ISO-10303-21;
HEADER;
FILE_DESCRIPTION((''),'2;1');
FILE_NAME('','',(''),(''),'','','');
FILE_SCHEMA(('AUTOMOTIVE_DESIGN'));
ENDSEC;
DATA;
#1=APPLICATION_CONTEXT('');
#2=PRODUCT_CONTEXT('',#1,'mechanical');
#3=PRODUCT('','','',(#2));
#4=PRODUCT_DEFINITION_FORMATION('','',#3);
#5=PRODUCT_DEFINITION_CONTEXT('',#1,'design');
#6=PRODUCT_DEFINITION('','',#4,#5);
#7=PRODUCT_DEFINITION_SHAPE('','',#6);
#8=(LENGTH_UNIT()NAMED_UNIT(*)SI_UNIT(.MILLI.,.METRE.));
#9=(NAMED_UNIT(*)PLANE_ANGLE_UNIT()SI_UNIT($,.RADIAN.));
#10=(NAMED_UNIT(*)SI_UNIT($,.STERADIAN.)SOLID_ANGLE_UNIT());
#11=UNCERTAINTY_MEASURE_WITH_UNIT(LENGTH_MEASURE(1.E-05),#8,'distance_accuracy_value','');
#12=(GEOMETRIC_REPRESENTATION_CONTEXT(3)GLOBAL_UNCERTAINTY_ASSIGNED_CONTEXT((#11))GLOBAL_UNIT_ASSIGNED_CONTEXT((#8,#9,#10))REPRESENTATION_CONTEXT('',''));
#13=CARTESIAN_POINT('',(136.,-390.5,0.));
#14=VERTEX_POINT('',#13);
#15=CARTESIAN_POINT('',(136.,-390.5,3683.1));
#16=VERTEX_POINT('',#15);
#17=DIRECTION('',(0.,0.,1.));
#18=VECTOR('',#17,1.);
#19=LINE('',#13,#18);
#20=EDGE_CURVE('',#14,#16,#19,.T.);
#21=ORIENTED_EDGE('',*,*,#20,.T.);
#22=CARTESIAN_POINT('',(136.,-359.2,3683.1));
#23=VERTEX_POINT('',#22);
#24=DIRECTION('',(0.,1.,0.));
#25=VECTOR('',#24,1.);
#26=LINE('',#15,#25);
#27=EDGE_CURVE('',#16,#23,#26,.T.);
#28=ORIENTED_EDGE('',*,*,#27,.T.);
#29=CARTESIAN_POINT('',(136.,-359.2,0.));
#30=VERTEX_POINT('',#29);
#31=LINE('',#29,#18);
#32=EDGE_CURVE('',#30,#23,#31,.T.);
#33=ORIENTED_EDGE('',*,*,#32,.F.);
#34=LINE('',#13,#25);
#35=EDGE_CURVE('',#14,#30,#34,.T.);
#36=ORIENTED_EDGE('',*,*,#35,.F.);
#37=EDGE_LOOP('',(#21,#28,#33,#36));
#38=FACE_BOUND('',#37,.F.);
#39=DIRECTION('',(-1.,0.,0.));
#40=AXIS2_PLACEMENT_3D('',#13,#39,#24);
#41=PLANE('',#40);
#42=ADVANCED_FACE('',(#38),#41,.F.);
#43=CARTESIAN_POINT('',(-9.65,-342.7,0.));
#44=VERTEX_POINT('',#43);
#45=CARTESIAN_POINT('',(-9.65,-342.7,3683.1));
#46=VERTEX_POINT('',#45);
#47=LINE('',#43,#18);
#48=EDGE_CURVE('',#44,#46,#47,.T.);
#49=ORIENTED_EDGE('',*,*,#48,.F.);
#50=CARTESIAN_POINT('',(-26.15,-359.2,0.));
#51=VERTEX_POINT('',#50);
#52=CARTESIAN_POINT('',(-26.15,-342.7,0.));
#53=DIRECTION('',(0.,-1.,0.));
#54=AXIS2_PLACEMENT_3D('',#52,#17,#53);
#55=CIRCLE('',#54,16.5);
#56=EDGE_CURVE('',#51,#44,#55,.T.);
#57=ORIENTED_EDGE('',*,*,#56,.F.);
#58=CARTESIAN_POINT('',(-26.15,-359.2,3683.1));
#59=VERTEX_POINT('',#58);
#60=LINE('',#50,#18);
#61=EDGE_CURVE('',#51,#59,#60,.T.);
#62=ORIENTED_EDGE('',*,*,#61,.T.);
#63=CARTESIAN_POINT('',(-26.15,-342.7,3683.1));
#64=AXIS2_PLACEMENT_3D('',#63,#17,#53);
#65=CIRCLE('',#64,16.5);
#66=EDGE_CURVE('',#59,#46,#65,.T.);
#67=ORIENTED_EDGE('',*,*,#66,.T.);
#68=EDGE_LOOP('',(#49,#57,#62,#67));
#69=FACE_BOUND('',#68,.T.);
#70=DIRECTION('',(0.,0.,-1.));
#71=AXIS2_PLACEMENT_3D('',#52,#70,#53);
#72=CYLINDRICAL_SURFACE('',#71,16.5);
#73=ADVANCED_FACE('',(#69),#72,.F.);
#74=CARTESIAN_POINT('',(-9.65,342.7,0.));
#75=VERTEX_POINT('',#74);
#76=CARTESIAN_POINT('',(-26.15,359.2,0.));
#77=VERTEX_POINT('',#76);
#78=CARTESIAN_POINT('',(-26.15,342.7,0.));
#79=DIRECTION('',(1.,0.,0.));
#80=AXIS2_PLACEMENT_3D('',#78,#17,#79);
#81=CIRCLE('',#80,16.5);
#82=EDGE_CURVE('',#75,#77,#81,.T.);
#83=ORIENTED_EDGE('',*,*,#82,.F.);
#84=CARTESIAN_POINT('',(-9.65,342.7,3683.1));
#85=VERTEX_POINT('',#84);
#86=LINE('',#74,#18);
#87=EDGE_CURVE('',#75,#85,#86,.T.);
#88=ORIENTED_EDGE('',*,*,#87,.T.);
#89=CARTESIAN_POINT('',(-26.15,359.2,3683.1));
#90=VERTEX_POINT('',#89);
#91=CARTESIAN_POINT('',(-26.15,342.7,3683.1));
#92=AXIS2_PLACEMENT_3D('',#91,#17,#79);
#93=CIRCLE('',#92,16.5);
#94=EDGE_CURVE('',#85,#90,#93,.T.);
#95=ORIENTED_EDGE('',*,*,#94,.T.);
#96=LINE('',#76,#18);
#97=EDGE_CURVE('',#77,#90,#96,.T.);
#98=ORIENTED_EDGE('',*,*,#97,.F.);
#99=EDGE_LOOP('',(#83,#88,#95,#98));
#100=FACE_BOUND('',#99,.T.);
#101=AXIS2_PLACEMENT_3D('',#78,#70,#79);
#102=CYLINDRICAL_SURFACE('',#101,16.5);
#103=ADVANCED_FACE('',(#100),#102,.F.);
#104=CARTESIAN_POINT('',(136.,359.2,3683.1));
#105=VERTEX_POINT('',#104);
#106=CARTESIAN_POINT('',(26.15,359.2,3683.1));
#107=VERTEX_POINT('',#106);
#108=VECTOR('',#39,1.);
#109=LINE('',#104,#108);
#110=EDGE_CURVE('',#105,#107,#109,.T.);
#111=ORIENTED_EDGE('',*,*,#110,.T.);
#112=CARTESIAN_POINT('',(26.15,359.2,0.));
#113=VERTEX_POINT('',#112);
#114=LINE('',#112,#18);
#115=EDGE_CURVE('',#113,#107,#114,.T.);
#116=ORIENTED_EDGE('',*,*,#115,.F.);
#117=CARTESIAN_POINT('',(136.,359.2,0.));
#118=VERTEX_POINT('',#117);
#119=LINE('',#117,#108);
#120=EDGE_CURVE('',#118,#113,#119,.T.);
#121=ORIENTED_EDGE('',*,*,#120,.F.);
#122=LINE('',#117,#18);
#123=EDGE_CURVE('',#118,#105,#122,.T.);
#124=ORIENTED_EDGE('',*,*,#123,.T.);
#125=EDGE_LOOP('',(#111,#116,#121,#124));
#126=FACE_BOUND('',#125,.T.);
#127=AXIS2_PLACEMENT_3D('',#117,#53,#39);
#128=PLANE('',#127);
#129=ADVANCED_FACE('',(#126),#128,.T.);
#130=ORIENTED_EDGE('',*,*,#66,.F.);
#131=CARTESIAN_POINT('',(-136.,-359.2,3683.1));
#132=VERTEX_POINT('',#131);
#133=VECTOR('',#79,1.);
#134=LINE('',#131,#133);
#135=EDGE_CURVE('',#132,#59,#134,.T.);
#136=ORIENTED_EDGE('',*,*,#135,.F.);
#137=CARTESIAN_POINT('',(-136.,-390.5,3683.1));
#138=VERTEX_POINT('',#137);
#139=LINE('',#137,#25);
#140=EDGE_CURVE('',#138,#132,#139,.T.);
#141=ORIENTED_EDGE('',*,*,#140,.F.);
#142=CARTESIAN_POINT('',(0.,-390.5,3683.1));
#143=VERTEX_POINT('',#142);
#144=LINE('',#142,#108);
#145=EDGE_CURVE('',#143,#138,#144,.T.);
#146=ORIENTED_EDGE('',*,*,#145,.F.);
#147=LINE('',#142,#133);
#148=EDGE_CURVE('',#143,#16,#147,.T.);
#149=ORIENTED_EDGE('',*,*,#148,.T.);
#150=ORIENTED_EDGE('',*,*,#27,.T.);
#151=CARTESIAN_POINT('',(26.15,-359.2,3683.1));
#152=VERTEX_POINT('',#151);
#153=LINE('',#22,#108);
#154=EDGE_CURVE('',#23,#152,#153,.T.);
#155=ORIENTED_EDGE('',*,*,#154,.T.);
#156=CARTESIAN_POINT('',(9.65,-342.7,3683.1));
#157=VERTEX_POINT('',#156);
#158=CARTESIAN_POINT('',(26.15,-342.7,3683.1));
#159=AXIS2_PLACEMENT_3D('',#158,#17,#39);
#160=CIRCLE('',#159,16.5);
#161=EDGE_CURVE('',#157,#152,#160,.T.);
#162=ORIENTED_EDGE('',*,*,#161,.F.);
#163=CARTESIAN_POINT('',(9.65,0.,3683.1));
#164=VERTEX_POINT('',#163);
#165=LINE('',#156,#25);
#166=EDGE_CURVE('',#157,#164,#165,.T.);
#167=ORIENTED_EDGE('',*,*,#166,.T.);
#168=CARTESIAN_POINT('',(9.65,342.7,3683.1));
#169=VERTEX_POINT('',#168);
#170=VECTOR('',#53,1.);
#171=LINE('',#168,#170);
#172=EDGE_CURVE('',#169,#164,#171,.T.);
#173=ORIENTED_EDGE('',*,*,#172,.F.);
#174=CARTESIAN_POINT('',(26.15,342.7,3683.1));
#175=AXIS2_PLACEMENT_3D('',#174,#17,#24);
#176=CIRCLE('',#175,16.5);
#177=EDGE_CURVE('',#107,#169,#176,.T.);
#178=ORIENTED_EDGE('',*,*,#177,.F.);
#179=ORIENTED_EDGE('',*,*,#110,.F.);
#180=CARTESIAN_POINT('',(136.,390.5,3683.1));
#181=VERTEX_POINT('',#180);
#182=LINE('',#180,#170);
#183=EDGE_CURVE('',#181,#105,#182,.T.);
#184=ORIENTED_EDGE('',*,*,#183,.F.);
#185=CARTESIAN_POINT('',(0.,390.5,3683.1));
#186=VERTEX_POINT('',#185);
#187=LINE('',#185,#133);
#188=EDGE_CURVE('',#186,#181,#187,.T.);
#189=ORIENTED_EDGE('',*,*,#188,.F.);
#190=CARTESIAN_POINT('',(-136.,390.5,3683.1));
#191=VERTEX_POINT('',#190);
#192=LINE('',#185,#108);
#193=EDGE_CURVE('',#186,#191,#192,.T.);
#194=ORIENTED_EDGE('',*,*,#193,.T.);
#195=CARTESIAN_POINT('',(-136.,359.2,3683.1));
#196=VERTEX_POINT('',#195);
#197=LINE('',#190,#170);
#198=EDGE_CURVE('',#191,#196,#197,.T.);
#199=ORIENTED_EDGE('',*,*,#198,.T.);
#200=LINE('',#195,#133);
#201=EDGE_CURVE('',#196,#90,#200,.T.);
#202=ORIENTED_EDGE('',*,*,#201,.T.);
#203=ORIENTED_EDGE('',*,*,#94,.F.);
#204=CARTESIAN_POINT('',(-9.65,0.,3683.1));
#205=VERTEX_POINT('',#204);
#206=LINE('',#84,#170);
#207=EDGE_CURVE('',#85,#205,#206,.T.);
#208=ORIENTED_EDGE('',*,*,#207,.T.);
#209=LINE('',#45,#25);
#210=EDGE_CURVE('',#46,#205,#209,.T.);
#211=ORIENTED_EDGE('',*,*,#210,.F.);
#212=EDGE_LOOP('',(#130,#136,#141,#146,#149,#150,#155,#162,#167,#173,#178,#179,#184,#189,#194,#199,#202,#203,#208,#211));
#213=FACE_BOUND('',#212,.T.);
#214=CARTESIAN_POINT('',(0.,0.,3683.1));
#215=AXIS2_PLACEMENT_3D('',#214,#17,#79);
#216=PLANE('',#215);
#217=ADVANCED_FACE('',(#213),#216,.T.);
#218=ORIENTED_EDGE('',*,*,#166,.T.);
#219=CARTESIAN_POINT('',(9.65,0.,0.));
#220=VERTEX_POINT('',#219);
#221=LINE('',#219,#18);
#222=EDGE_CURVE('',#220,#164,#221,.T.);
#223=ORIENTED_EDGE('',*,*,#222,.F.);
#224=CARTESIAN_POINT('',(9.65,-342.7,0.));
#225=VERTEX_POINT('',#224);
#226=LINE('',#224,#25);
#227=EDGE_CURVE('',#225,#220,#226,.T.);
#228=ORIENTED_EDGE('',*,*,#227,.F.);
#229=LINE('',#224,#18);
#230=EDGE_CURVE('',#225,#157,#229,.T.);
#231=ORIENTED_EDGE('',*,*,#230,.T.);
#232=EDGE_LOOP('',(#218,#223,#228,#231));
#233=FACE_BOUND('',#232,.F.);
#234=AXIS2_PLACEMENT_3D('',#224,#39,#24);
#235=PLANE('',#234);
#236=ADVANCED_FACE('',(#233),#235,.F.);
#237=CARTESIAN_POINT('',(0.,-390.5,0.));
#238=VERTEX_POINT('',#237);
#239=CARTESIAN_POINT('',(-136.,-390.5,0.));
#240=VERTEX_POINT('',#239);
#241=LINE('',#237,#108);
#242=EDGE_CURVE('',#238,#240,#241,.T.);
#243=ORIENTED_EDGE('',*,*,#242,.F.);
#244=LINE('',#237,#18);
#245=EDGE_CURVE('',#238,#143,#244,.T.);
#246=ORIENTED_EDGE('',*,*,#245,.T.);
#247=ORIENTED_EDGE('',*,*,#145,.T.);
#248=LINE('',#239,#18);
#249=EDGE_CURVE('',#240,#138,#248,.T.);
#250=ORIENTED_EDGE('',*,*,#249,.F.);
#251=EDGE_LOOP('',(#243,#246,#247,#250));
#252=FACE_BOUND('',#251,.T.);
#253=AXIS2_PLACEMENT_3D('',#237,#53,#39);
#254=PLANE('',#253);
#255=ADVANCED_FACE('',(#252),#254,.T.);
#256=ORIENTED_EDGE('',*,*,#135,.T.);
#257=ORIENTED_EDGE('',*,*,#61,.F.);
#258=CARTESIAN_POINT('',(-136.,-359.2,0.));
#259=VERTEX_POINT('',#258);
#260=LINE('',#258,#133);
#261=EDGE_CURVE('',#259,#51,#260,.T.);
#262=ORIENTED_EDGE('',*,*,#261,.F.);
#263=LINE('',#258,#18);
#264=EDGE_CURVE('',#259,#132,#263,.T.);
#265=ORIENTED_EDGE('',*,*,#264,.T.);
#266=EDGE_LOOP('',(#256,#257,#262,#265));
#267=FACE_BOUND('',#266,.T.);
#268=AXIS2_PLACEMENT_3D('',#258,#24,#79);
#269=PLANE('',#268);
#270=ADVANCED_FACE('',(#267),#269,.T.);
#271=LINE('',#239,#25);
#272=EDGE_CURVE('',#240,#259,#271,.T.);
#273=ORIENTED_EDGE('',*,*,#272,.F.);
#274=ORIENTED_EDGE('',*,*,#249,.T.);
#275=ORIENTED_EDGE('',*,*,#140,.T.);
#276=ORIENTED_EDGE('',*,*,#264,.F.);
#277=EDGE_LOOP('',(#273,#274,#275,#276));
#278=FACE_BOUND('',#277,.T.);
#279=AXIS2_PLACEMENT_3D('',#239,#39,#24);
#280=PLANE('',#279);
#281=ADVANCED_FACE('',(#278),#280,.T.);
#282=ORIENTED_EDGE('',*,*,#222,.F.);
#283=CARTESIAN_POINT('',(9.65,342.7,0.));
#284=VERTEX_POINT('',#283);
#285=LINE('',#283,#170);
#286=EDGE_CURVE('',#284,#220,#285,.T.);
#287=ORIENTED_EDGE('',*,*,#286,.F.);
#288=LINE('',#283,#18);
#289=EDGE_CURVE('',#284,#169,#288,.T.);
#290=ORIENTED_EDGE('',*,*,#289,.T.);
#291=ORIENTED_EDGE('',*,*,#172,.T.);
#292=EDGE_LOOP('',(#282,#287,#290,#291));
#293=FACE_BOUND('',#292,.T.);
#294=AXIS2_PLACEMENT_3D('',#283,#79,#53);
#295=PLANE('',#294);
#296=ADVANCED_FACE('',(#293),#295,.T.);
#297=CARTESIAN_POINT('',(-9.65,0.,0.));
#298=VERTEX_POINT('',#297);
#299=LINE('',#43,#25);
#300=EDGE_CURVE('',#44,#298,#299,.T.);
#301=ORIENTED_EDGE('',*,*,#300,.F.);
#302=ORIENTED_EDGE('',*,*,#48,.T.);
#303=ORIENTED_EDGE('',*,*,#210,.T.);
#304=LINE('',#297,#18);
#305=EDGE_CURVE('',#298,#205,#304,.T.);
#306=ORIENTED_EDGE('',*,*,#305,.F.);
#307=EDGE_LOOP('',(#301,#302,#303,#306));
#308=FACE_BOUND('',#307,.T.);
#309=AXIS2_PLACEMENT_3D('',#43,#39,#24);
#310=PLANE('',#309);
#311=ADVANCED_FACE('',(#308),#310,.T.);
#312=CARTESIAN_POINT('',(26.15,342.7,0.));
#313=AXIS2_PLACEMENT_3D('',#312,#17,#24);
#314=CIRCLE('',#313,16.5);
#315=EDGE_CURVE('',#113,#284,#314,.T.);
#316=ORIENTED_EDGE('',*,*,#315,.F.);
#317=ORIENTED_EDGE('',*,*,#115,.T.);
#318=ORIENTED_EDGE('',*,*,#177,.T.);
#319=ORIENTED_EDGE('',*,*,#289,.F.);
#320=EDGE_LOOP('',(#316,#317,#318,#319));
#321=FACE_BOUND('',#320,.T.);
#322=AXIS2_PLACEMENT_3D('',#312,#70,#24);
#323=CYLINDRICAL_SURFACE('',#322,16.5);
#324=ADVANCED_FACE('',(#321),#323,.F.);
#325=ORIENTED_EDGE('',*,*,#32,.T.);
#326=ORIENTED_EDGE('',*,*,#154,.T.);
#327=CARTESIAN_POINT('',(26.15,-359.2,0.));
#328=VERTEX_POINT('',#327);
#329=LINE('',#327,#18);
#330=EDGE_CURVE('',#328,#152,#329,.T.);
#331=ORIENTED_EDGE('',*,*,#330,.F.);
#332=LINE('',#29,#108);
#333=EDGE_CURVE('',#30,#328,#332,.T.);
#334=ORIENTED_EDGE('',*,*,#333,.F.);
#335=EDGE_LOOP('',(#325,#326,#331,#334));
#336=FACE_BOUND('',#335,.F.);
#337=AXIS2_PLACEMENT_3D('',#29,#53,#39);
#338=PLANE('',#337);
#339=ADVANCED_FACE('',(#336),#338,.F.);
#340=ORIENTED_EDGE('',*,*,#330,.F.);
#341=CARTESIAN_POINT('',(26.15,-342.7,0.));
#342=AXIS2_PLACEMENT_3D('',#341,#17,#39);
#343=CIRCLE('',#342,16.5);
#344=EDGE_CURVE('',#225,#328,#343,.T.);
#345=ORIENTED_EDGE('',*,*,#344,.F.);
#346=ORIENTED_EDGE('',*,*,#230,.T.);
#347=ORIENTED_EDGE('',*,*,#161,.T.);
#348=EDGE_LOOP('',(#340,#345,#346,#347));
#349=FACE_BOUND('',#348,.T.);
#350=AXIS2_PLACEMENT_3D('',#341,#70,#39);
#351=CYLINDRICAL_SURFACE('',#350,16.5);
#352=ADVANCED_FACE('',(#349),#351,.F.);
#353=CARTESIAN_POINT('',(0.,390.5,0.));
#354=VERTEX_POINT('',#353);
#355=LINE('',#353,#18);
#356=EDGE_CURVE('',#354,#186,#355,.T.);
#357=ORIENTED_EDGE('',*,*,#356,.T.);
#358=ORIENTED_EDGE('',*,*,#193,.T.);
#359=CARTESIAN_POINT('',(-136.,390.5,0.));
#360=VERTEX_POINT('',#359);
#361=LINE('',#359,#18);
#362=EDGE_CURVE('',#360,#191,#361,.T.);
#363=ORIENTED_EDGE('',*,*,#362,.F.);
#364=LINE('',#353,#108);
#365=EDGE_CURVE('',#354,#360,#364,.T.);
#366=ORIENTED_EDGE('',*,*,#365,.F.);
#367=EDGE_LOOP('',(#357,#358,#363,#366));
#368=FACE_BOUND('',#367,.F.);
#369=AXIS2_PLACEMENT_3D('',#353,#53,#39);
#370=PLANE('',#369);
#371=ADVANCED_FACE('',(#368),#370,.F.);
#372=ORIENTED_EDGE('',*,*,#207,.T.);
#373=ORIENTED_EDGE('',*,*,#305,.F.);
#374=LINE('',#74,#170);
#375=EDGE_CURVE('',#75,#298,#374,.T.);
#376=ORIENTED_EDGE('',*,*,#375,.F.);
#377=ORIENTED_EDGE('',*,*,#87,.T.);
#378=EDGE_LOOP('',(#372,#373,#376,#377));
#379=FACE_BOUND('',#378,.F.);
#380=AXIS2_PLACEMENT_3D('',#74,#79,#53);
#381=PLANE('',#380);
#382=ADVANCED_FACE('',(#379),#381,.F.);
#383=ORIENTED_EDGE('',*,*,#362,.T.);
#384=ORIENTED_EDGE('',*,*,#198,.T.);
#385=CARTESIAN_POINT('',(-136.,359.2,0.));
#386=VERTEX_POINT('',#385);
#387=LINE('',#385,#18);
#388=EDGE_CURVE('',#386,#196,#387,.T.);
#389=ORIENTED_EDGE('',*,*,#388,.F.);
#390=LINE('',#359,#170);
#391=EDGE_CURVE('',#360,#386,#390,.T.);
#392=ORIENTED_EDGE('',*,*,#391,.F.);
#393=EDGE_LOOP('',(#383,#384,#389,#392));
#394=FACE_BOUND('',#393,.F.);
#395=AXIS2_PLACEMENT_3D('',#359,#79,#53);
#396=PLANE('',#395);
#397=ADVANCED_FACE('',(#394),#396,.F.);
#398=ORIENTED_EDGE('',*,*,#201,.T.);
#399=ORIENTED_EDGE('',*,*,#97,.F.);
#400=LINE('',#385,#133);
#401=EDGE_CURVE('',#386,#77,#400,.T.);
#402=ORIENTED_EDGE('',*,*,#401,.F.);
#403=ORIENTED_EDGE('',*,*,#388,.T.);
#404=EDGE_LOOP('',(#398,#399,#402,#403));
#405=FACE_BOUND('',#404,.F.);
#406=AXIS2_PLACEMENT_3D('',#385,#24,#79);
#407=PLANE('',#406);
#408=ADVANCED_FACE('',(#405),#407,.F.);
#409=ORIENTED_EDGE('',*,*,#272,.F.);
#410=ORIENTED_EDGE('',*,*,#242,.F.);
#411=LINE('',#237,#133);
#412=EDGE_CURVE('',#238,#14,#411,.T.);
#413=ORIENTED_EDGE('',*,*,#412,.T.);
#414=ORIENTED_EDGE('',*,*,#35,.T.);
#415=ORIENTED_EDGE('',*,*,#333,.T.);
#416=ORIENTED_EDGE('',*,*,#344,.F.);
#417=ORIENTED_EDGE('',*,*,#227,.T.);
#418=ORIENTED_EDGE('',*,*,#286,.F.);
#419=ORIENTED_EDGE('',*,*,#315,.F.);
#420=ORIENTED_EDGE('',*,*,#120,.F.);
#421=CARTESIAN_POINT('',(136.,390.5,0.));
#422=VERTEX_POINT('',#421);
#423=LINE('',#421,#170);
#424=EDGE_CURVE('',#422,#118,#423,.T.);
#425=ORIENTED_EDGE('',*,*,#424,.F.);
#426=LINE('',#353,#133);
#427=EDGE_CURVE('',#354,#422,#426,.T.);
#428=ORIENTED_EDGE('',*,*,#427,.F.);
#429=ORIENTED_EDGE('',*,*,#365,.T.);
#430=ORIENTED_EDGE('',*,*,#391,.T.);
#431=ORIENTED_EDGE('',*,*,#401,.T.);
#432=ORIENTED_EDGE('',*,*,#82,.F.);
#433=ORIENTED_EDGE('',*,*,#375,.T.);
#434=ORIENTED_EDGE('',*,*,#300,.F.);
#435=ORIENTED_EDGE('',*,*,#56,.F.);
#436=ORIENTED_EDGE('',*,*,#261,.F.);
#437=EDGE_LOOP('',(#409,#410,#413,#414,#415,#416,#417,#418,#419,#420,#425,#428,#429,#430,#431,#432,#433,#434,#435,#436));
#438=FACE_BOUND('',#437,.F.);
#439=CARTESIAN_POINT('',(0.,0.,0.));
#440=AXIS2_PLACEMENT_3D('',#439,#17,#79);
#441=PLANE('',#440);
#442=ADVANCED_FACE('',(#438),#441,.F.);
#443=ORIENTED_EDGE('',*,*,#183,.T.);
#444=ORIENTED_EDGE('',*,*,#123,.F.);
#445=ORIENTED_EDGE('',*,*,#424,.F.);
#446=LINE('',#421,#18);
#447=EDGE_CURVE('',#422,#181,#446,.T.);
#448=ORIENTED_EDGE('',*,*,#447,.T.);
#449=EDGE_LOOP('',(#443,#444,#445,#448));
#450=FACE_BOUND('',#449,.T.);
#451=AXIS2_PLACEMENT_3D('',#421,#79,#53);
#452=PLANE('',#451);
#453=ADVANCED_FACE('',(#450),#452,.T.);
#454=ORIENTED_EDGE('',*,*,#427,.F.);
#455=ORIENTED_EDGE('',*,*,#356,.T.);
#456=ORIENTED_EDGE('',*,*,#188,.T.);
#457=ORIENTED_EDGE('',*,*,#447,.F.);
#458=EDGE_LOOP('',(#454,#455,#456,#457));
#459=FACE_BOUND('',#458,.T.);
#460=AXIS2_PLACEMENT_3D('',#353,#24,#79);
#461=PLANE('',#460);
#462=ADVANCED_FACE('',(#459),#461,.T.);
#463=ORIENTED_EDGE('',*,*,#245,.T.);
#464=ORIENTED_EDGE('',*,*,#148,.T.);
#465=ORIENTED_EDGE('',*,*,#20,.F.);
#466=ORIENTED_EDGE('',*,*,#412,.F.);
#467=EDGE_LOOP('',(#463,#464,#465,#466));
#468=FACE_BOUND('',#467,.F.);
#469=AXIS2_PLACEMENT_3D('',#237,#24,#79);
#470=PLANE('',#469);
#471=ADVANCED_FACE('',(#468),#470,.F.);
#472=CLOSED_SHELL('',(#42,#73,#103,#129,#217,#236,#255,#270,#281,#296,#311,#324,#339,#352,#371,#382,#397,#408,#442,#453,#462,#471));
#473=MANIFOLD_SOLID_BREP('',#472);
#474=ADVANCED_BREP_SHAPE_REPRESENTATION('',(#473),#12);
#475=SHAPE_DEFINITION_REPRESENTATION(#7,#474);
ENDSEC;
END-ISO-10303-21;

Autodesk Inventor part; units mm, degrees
ref_plane "YZ Plane" through (0, 0, 0) normal (1, 0, 0) x (0, 1, 0)
ref_plane "Start plane" through (0, 0, 0) normal (0, 0, 1) x (1, 0, 0)
ref_plane "End plane" through (0, 0, 3683.1) normal (0, 0, 1) x (1, 0, 0)
sketch "Sketch" plane through (0, 0, 0) normal (0, 0, 1) x (1, 0, 0)
  line L0 (-136, -390.5) -> (-136, -359.2)
  line L1 (-136, -359.2) -> (-26.15, -359.2)
  line L2 (-9.65, -342.7) -> (-9.65, 0)
  line L3 (-9.65, 0) -> (0, 0) construction
  line L4 (0, 0) -> (0, -390.5) construction
  line L5 (0, -390.5) -> (-136, -390.5)
  line L6 (-60, 0) -> (80, 0) construction
  line L7 (0, -60) -> (0, 80) construction
  line L8 (136, -390.5) -> (136, -359.2)
  line L9 (136, -359.2) -> (26.15, -359.2)
  line L10 (9.65, -342.7) -> (9.65, 0)
  line L11 (9.65, 0) -> (0, 0) construction
  line L12 (0, -390.5) -> (136, -390.5)
  line L13 (-136, 390.5) -> (-136, 359.2)
  line L14 (-136, 359.2) -> (-26.15, 359.2)
  line L15 (-9.65, 342.7) -> (-9.65, 0)
  line L16 (0, 390.5) -> (-136, 390.5)
  line L17 (136, 390.5) -> (136, 359.2)
  line L18 (136, 359.2) -> (26.15, 359.2)
  line L19 (0, 390.5) -> (136, 390.5)
  line L20 (9.65, 342.7) -> (9.65, 0)
  arc A0 (-9.65, 342.7) -> (-26.15, 359.2) centre (-26.15, 342.7) ccw
  arc A1 (26.15, 359.2) -> (9.65, 342.7) centre (26.15, 342.7) ccw
  arc A2 (9.65, -342.7) -> (26.15, -359.2) centre (26.15, -342.7) ccw
  arc A3 (-26.15, -359.2) -> (-9.65, -342.7) centre (-26.15, -342.7) ccw
  line L21 (0, 108) -> (0, -88) construction
  line L22 (-88, 0) -> (108, 0) construction
  point P0 (-9.65, -359.2)
  point P1 (9.65, -359.2)
  point P2 (-9.65, 359.2)
  point P3 (9.65, 359.2)
  dimension "d1" = 390.5
  dimension "d2" = 31.3
  dimension "d3" = 136
  dimension "d4" = 9.65
  dimension "d10" = 16.5
extrude "Body" add sketch "Sketch" along normal up to surface (3683.1 mm away) from surface at 0
sketch "Sketch4" plane through (0, 0, 0) normal (0, 0, 1) x (1, 0, 0)
  line L0 (0, 0) -> (10, 0)
ref_plane "Work Plane3" through (0, 0, 0) normal (0, -1, 0) x (1, 0, 0)
sketch "Sketch5" plane through (0, 0, 0) normal (0, -1, 0) x (1, 0, 0)
  line L0 (-2, 0) -> (12, 0) projected
  line L1 (-2, 3683.1) -> (12, 3683.1) projected
  dimension "d14" = 3683.1
equation "\"d1\" = 0.5 * G_H"
equation "\"d2\" = G_T1"
equation "\"d3\" = 0.5 * G_W"
equation "\"d4\" = 0.5 * G_T"
equation "\"d10\" = G_IR"
equation "\"d5\" = G_L"
equation "\"G_W\" = 272"
equation "\"G_H\" = 781"
equation "\"G_T\" = 19.3"
equation "\"G_T1\" = 31.3"
equation "\"G_IR\" = 16.5"
equation "\"G_L\" = d14"
equation "\"G_OFFSET_START\" = 0"
equation "\"G_OFFSET_END\" = 0"
equation "\"d12\" = G_OFFSET_END + B_L"
equation "\"B_L\" = 3683.1"
properties part number "AS 3679-1990 - 760 UB - 244 - 3683.1" material "Steel, Mild"
